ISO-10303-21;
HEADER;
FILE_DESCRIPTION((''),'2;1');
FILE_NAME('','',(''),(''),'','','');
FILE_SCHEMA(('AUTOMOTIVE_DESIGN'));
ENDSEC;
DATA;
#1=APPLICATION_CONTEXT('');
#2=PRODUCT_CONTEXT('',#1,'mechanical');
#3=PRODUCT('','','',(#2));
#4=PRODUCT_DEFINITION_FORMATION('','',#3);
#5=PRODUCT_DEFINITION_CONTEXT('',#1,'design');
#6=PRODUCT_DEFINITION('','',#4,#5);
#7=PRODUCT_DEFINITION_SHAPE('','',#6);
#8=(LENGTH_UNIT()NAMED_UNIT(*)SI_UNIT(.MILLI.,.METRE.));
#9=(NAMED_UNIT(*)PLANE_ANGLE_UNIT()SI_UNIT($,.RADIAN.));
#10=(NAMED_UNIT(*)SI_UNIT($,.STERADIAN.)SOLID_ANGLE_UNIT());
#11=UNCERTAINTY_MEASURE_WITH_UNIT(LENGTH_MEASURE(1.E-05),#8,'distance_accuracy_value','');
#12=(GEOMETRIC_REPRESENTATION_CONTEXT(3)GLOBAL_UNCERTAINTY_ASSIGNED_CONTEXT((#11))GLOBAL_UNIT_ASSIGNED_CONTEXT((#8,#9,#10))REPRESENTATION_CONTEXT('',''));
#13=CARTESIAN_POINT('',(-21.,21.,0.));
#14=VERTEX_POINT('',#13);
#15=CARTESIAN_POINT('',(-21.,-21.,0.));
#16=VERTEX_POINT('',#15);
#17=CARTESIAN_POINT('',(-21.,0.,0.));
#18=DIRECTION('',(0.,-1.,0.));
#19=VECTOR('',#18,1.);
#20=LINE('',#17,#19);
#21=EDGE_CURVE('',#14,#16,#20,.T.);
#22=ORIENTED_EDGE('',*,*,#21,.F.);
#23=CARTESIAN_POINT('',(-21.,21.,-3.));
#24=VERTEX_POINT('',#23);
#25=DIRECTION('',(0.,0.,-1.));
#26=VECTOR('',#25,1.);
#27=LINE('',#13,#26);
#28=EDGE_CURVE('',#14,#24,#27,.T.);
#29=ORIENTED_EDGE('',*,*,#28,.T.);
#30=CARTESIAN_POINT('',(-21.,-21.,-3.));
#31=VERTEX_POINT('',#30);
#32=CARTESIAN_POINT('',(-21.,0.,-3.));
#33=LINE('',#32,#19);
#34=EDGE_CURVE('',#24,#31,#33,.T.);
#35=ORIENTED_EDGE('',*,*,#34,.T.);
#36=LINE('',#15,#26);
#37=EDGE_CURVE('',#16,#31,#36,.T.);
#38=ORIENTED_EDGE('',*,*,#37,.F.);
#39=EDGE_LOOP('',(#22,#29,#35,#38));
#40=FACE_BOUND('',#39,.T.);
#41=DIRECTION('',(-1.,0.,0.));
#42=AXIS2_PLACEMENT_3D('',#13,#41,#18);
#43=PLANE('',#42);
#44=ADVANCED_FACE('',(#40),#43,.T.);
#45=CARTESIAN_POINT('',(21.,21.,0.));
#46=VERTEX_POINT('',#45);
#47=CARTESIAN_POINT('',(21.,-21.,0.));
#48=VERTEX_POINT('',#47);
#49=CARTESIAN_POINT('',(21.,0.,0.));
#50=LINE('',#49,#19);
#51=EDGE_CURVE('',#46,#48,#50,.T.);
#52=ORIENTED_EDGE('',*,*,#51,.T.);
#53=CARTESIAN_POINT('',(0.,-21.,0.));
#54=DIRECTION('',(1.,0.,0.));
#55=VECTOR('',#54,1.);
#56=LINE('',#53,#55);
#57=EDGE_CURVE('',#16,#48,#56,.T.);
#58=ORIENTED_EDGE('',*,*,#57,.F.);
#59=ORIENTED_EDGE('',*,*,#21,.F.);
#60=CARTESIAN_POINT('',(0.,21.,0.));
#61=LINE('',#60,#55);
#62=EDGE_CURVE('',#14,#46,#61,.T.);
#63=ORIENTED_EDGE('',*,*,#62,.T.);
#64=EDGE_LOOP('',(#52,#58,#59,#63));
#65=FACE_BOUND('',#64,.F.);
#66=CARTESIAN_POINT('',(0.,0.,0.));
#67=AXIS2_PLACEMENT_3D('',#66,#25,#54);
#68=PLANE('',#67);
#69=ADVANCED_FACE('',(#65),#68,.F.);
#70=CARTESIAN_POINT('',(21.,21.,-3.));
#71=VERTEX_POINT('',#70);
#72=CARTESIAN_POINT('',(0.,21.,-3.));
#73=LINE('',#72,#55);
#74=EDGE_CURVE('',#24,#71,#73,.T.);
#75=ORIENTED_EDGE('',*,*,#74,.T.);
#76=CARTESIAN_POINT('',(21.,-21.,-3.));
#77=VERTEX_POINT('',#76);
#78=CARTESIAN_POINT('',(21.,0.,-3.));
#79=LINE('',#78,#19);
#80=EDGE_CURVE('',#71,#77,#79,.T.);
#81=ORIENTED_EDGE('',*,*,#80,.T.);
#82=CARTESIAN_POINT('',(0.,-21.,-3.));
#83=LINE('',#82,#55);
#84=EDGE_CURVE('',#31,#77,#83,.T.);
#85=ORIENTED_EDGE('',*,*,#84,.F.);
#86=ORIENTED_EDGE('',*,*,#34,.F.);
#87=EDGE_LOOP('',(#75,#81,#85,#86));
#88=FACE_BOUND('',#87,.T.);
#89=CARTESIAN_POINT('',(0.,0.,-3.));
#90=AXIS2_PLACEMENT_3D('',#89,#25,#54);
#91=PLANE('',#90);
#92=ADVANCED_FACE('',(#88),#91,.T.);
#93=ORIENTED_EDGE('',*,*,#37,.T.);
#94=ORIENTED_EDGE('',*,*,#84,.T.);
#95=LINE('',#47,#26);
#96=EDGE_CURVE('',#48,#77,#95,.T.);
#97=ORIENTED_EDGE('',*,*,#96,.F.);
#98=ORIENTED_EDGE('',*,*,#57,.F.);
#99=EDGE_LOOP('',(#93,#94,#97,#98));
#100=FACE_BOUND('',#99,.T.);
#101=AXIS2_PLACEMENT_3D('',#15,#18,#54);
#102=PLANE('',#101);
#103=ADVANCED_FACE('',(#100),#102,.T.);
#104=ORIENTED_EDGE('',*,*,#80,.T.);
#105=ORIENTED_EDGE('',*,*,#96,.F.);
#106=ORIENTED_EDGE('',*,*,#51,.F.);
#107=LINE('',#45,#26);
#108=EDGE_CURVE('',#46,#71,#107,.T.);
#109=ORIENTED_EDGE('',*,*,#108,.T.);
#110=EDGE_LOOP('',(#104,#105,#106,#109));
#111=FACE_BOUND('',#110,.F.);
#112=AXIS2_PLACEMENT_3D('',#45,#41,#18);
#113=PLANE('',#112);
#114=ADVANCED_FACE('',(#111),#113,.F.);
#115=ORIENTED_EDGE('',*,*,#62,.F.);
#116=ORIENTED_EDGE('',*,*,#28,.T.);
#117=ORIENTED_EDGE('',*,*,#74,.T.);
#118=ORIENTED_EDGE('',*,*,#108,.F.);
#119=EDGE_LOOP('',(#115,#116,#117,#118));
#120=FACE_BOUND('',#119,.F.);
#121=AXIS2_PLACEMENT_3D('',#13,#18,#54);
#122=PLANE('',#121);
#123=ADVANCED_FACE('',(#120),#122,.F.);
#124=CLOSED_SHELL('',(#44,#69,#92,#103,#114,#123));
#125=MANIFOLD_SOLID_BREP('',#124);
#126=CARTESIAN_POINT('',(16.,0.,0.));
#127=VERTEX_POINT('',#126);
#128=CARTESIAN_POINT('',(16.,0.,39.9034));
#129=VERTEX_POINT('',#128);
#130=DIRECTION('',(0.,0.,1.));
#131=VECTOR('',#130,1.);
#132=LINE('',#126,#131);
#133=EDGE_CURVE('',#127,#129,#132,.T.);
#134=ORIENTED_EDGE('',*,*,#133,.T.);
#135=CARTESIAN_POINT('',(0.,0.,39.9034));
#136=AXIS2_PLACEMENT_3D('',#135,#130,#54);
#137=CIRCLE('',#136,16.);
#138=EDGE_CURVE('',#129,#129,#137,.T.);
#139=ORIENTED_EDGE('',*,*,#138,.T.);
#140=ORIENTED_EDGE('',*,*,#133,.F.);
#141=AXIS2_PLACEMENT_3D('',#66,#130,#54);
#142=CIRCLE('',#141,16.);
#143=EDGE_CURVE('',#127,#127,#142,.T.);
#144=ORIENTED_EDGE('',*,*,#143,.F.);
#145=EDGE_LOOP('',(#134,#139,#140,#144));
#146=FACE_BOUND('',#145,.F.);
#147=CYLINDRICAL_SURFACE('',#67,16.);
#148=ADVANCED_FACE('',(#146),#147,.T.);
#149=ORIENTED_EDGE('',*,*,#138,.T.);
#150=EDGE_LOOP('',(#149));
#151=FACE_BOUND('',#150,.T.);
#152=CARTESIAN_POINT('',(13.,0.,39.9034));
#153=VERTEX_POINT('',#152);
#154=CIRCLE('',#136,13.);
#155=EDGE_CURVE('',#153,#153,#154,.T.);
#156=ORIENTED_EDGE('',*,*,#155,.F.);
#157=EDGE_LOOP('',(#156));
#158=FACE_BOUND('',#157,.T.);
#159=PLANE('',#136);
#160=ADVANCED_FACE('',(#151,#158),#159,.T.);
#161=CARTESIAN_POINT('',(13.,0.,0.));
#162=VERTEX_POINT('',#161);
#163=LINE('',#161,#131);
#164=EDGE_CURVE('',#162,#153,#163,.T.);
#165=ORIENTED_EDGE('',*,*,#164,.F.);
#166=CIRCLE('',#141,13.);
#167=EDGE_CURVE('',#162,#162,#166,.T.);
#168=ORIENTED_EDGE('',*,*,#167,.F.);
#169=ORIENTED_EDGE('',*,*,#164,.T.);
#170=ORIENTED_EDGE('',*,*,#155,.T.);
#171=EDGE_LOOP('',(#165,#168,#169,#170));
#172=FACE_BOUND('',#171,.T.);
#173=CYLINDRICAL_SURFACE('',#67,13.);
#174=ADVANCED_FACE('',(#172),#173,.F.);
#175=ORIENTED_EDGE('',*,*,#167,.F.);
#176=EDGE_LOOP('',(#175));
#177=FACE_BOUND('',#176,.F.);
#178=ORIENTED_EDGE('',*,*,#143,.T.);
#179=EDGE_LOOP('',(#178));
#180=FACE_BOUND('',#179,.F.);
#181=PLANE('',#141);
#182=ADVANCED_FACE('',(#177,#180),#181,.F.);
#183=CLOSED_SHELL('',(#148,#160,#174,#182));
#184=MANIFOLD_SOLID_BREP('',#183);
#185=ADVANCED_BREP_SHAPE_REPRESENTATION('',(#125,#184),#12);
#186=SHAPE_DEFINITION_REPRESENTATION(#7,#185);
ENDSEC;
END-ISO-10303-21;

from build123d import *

# Parameters (mm, degrees)
F0_R     = 16
F0_R_2   = 13
F1_DEPTH = 39.9034
F2_W     = 42
F2_H     = 42
F2_R     = 16
F2_R_2   = 13
F3_DEPTH = 3


with BuildPart() as f1:
    # F0 (on Top) → F1 (new body)
    with BuildSketch(Plane.XY):
        Circle(F0_R)
        Circle(F0_R_2, mode=Mode.SUBTRACT)
    extrude(amount=F1_DEPTH)


with BuildPart() as f3:
    # F2 (on face) → F3 (new body)
    with BuildSketch(Plane(origin=(0, 0, 0), x_dir=(1, 0, 0), z_dir=(0, 0, -1))):
        Rectangle(F2_W, F2_H)
        Circle(F2_R, mode=Mode.SUBTRACT)
        Circle(F2_R)
        Circle(F2_R_2, mode=Mode.SUBTRACT)
        Circle(F2_R_2)
    extrude(amount=F3_DEPTH)


solid = Compound([f1.part, f3.part])
